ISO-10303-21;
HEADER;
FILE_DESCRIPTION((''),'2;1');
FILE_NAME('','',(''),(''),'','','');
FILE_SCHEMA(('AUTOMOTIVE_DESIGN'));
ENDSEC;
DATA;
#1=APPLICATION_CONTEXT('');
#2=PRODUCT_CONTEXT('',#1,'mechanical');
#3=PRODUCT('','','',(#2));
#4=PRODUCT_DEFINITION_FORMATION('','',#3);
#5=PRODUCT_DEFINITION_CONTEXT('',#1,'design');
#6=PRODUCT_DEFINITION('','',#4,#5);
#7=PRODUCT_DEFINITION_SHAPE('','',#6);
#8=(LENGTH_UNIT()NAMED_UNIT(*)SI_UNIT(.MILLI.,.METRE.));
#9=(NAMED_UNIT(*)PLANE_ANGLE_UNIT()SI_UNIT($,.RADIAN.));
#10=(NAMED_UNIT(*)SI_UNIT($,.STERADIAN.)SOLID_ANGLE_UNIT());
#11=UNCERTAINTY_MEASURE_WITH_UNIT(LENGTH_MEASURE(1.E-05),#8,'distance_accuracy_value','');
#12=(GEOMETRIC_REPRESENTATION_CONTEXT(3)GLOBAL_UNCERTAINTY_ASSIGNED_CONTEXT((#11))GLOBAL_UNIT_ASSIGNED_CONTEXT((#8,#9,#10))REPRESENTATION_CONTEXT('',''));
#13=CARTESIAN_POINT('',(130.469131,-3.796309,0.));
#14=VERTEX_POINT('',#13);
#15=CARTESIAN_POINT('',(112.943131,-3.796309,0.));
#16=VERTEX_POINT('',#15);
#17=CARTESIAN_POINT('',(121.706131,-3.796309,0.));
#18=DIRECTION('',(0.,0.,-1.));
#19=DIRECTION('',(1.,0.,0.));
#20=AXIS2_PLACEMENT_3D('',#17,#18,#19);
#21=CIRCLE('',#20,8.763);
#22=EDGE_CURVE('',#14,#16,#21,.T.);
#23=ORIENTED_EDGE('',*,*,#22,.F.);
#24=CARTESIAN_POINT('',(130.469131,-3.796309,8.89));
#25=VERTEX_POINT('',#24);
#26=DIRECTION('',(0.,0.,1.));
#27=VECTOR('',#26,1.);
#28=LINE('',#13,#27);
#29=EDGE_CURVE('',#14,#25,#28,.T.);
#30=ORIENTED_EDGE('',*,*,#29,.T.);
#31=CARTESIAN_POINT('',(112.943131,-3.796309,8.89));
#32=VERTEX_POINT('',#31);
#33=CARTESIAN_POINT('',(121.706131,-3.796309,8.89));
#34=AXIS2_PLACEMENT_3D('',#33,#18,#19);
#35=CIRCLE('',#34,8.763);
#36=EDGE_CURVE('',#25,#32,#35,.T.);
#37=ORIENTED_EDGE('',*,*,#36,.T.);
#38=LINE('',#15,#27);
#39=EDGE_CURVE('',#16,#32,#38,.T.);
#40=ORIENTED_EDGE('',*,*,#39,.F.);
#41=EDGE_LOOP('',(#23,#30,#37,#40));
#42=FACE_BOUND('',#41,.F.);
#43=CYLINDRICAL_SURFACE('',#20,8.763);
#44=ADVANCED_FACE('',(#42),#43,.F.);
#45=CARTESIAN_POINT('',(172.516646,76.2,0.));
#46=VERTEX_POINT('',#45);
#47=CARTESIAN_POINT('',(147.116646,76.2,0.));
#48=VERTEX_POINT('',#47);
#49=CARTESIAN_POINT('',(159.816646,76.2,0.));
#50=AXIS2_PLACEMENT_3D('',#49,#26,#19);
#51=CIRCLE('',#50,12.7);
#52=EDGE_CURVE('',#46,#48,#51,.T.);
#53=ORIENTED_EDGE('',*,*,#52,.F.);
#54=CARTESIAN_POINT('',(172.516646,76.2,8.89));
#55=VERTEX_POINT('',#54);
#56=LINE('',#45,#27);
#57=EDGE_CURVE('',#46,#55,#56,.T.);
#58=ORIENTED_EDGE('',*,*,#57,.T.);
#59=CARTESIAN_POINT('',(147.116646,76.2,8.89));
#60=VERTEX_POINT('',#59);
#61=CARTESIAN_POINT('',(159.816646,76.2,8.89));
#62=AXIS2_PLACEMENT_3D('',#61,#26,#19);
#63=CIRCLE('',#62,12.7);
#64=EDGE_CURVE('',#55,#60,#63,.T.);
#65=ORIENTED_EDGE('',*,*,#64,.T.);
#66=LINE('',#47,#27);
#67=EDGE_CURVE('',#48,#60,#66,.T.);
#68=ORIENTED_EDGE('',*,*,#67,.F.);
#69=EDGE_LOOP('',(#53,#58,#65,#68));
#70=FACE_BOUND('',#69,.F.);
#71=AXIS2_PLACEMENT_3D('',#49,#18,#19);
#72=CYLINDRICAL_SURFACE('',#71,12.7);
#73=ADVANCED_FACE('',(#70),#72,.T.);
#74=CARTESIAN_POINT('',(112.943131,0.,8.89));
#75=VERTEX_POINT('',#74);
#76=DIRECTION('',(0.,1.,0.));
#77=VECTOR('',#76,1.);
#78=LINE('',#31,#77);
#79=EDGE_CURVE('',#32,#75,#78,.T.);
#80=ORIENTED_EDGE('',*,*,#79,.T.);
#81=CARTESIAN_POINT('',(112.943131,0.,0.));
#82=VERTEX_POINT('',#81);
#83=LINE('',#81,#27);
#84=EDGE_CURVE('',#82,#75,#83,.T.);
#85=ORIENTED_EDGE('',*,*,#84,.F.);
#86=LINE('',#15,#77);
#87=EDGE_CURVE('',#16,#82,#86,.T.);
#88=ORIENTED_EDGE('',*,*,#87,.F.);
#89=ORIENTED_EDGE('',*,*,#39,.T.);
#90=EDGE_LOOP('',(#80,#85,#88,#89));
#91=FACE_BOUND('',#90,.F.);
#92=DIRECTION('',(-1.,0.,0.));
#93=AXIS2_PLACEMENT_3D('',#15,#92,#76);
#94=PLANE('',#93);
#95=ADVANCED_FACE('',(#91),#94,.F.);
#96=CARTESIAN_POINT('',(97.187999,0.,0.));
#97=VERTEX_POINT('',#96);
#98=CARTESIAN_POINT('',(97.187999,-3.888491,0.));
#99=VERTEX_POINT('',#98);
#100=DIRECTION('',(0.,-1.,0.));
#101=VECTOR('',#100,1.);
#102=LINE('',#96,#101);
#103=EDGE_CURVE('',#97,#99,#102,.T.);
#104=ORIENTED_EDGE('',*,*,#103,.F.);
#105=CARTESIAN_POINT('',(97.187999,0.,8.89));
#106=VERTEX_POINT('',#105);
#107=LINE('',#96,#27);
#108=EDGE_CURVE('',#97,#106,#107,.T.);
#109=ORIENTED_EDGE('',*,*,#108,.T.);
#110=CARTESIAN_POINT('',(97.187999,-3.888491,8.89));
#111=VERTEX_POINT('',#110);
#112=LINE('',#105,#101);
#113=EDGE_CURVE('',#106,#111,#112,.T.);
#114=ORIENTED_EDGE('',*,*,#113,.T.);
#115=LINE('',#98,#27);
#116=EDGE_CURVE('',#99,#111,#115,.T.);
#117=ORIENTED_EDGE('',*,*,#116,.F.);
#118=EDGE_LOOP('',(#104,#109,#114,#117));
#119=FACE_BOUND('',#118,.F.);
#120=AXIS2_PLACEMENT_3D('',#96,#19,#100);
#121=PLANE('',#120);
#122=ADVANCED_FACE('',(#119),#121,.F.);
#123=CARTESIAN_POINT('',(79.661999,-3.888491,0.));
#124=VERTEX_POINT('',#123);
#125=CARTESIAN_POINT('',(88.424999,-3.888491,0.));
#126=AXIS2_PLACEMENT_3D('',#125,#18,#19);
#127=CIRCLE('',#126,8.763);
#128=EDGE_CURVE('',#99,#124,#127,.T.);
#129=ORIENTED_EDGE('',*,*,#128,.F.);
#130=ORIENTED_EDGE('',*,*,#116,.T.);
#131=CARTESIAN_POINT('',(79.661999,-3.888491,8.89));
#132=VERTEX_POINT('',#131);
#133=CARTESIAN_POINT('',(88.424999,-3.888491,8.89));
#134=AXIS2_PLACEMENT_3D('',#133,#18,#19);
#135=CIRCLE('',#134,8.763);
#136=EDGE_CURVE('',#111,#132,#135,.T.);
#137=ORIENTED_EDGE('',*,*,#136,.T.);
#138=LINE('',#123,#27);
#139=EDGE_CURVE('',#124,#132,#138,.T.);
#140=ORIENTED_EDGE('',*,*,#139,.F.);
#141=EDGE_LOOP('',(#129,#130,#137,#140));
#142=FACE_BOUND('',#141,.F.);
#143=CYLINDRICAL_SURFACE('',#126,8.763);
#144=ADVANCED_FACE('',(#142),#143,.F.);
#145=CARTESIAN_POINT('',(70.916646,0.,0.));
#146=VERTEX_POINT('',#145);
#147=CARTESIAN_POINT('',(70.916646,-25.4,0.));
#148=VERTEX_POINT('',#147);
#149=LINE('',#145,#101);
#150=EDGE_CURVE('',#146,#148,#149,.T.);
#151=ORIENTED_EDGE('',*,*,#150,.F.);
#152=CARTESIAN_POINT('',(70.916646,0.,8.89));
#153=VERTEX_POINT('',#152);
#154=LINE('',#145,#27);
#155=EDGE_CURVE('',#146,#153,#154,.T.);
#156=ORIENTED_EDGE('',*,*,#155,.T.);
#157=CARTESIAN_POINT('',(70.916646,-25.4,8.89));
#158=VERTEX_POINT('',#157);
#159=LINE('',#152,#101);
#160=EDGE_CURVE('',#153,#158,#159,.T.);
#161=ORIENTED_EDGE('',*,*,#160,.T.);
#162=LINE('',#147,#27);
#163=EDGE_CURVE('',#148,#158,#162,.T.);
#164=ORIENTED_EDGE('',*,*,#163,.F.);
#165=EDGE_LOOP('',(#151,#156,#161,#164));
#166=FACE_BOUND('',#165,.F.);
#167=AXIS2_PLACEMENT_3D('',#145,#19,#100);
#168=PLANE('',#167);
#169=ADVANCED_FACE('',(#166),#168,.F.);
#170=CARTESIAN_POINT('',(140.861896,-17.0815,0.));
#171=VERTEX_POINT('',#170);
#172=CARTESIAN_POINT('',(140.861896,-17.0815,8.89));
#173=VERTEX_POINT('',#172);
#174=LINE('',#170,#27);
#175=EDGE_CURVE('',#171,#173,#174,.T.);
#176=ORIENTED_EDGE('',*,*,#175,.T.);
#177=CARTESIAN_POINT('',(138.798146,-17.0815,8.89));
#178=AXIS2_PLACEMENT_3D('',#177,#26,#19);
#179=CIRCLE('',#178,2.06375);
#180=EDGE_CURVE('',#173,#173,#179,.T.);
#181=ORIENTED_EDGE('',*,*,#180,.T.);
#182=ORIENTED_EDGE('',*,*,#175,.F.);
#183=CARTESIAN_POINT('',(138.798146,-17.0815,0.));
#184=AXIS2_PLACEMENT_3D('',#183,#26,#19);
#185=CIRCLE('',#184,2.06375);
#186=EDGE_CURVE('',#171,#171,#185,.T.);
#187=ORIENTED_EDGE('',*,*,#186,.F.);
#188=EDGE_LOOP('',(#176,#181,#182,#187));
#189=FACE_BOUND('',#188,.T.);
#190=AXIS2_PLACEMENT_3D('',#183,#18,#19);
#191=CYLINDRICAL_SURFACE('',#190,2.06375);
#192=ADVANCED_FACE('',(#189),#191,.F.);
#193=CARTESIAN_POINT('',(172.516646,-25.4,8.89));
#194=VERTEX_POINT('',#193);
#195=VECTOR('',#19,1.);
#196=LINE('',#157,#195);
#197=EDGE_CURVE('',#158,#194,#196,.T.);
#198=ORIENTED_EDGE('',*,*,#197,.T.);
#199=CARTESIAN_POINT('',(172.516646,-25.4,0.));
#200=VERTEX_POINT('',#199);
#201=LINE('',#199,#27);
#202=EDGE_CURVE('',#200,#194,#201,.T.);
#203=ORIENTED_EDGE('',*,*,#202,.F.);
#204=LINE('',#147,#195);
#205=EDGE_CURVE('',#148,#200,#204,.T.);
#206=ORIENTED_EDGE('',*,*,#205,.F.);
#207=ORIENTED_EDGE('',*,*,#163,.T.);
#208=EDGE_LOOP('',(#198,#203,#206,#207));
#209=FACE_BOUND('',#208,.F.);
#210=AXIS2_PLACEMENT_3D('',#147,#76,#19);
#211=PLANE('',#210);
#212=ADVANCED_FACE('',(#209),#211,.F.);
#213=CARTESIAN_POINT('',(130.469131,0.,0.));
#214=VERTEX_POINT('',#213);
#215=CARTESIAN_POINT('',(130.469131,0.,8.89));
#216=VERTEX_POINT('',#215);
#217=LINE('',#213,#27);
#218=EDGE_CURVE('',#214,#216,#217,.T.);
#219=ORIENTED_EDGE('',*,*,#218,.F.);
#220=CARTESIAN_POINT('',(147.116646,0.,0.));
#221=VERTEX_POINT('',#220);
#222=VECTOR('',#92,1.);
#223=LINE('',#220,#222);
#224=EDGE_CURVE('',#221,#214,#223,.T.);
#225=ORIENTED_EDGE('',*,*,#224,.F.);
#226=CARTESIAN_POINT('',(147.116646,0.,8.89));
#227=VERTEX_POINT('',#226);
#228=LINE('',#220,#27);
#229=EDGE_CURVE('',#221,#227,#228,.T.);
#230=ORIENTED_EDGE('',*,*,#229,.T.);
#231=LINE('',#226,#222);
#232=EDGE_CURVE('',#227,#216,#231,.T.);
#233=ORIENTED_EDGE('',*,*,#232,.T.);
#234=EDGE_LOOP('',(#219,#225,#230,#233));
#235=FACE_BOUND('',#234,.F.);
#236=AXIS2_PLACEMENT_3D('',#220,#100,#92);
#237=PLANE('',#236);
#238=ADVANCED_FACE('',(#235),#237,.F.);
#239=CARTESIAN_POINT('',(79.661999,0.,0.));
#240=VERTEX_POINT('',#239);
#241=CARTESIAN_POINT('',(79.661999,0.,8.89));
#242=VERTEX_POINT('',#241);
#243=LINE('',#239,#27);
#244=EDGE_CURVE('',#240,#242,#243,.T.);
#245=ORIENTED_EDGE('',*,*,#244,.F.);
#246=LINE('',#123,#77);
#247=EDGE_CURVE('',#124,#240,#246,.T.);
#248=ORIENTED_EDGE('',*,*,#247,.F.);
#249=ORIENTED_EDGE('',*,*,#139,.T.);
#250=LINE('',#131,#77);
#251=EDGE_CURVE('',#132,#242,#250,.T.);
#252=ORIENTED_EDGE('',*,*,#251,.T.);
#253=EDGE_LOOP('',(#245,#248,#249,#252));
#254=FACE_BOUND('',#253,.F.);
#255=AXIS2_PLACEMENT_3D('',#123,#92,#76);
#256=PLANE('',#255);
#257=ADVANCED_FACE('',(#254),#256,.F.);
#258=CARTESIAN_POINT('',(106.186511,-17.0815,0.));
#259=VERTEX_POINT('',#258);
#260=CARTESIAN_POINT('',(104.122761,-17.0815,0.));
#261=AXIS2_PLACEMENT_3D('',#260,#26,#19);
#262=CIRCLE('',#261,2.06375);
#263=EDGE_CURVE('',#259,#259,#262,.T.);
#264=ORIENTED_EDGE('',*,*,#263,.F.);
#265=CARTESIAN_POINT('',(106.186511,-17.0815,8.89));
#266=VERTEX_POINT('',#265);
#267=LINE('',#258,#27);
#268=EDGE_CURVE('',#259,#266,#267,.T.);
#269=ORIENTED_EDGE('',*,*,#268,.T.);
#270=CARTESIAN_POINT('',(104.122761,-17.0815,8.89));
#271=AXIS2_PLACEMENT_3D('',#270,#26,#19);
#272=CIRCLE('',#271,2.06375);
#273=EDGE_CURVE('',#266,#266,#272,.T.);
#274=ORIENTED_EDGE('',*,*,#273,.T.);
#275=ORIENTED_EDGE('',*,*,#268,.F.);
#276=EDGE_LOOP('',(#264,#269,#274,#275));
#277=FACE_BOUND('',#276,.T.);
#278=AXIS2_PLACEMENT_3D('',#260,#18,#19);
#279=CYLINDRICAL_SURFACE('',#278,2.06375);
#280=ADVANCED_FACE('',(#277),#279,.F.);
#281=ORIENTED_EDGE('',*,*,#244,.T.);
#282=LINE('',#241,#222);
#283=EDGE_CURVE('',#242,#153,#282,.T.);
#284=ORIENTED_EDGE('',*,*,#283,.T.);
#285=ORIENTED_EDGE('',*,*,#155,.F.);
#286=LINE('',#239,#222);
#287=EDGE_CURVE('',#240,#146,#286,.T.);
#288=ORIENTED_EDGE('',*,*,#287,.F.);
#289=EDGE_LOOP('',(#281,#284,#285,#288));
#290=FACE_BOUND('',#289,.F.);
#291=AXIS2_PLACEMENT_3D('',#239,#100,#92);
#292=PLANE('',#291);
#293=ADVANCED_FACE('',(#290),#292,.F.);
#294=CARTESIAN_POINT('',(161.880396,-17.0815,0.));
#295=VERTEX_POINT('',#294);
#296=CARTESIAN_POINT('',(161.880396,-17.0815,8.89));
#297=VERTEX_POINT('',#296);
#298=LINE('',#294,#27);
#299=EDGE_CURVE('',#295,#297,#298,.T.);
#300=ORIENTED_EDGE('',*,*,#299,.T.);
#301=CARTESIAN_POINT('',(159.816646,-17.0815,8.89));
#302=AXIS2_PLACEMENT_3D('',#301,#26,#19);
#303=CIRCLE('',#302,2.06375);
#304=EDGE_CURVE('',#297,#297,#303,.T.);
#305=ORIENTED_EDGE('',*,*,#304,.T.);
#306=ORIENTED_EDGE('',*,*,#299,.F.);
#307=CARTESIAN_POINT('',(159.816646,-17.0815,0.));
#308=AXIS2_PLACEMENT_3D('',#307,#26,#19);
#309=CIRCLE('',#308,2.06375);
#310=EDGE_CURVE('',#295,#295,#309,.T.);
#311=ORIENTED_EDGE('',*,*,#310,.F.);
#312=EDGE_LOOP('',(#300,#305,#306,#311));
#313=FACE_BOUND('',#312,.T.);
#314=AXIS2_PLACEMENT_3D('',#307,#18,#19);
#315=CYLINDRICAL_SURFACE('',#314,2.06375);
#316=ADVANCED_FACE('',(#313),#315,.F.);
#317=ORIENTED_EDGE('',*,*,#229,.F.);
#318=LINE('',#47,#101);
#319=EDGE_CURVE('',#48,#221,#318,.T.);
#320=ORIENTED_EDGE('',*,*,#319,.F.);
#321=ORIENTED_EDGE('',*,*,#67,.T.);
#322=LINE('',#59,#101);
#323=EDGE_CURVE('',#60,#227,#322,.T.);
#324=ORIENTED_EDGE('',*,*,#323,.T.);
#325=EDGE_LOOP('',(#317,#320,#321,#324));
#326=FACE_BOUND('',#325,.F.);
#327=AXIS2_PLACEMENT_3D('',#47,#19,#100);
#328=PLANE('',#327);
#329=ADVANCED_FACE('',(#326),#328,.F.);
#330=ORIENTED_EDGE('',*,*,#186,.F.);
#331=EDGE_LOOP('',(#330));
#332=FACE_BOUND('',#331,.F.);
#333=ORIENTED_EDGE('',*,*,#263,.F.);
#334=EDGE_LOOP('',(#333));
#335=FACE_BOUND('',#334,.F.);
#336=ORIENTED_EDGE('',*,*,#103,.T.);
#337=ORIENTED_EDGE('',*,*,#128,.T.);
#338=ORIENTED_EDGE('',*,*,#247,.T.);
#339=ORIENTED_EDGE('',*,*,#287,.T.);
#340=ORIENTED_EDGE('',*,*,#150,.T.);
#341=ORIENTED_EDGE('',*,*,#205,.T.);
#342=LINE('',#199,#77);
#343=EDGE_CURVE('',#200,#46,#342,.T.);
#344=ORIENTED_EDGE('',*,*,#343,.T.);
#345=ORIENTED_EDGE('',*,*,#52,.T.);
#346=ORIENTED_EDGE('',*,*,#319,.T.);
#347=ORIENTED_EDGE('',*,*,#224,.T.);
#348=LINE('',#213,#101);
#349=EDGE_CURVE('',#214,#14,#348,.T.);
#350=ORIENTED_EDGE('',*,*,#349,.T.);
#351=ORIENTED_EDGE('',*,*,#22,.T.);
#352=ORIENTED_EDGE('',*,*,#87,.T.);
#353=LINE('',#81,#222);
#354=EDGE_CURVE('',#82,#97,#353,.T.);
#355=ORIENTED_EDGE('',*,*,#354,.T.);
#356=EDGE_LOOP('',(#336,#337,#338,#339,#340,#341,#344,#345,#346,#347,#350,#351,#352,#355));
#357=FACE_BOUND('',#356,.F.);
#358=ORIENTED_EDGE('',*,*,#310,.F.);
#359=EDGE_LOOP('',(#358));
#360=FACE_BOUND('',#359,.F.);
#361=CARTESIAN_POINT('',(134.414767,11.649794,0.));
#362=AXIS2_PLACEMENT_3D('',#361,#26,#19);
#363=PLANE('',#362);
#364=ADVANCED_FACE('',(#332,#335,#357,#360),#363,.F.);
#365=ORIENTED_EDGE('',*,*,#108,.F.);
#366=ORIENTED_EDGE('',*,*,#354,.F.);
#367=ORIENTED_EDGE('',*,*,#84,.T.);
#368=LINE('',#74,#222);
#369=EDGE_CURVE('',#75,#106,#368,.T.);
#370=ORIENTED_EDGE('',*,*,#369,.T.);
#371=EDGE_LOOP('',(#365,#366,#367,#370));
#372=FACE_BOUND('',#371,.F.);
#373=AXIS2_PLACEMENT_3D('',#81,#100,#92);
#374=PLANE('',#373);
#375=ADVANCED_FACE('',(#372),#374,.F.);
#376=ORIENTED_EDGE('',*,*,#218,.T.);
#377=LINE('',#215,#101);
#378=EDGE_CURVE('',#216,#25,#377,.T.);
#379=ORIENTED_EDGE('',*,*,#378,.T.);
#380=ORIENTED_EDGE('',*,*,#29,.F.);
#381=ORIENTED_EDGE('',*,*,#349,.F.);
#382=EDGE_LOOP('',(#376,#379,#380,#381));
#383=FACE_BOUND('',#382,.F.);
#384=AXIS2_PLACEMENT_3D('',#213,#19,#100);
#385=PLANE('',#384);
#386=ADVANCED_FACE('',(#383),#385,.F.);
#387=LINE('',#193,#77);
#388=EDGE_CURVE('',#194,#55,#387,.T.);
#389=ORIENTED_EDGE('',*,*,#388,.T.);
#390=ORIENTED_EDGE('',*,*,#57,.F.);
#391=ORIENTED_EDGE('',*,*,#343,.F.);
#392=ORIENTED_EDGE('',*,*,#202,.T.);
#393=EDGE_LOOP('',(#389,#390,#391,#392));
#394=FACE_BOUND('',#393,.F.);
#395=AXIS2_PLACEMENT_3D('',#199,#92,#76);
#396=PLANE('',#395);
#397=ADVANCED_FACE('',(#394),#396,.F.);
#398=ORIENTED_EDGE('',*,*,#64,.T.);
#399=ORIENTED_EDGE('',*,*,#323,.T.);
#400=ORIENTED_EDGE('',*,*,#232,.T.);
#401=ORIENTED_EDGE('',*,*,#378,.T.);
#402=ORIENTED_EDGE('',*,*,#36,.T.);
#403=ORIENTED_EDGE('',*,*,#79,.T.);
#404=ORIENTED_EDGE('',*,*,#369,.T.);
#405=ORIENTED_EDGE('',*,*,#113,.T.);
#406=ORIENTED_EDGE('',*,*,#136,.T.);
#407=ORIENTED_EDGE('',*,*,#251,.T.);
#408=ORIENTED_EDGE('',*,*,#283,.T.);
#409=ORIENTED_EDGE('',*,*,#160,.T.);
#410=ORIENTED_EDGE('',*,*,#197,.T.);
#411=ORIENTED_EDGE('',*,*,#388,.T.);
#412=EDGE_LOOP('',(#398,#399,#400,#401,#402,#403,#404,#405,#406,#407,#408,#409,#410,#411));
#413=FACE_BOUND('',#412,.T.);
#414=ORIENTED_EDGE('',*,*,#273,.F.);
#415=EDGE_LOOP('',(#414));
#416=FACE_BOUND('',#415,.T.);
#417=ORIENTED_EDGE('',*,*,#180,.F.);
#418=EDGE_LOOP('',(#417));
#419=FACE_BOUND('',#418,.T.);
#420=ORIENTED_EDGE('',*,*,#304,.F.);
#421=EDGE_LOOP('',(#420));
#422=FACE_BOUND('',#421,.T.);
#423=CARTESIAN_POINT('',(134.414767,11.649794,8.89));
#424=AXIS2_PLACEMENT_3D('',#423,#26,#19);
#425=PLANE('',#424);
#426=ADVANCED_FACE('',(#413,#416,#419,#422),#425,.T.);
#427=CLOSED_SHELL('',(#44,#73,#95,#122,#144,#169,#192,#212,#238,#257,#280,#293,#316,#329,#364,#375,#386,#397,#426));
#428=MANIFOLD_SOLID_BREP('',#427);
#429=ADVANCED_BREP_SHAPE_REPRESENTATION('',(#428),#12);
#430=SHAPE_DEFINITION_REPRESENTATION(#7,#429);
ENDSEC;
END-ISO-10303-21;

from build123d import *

# Parameters (mm, degrees)
F0_R     = 2.06375
F1_DEPTH = 8.89


with BuildPart() as f1:
    # F0 (on Top) → F1 (new body)
    with BuildSketch(Plane.XY):
        with BuildLine():
            Line((78.765246, 0), (70.916646, 0))
            Line((70.916646, 0), (70.916646, -25.4))
            Line((70.916646, -25.4), (147.116646, -25.4))
            Line((147.116646, -25.4), (172.516646, -25.4))
            Line((172.516646, -25.4), (172.516646, 76.2))
            ThreePointArc((172.516646, 76.2), (159.816646, 88.9), (147.116646, 76.2))
            Line((147.116646, 76.2), (147.116646, 0))
            Line((147.116646, 0), (130.469131, 0))
            Line((130.469131, 0), (130.469131, -3.796309))
            ThreePointArc((130.469131, -3.796309), (121.706131, -12.559309), (112.943131, -3.796309))
            Line((112.943131, -3.796309), (112.943131, 0))
            Line((112.943131, 0), (97.187999, 0))
            Line((97.187999, 0), (97.187999, -3.888491))
            ThreePointArc((97.187999, -3.888491), (88.424999, -12.651491), (79.661999, -3.888491))
            Line((79.661999, -3.888491), (79.661999, 0))
            Line((79.661999, 0), (78.765246, 0))
        make_face()
        with Locations((104.122761, -17.0815)):
            Circle(F0_R, mode=Mode.SUBTRACT)
        with Locations((138.798146, -17.0815)):
            Circle(F0_R, mode=Mode.SUBTRACT)
        with Locations((159.816646, -17.0815)):
            Circle(F0_R, mode=Mode.SUBTRACT)
    extrude(amount=F1_DEPTH)


solid = f1.part
